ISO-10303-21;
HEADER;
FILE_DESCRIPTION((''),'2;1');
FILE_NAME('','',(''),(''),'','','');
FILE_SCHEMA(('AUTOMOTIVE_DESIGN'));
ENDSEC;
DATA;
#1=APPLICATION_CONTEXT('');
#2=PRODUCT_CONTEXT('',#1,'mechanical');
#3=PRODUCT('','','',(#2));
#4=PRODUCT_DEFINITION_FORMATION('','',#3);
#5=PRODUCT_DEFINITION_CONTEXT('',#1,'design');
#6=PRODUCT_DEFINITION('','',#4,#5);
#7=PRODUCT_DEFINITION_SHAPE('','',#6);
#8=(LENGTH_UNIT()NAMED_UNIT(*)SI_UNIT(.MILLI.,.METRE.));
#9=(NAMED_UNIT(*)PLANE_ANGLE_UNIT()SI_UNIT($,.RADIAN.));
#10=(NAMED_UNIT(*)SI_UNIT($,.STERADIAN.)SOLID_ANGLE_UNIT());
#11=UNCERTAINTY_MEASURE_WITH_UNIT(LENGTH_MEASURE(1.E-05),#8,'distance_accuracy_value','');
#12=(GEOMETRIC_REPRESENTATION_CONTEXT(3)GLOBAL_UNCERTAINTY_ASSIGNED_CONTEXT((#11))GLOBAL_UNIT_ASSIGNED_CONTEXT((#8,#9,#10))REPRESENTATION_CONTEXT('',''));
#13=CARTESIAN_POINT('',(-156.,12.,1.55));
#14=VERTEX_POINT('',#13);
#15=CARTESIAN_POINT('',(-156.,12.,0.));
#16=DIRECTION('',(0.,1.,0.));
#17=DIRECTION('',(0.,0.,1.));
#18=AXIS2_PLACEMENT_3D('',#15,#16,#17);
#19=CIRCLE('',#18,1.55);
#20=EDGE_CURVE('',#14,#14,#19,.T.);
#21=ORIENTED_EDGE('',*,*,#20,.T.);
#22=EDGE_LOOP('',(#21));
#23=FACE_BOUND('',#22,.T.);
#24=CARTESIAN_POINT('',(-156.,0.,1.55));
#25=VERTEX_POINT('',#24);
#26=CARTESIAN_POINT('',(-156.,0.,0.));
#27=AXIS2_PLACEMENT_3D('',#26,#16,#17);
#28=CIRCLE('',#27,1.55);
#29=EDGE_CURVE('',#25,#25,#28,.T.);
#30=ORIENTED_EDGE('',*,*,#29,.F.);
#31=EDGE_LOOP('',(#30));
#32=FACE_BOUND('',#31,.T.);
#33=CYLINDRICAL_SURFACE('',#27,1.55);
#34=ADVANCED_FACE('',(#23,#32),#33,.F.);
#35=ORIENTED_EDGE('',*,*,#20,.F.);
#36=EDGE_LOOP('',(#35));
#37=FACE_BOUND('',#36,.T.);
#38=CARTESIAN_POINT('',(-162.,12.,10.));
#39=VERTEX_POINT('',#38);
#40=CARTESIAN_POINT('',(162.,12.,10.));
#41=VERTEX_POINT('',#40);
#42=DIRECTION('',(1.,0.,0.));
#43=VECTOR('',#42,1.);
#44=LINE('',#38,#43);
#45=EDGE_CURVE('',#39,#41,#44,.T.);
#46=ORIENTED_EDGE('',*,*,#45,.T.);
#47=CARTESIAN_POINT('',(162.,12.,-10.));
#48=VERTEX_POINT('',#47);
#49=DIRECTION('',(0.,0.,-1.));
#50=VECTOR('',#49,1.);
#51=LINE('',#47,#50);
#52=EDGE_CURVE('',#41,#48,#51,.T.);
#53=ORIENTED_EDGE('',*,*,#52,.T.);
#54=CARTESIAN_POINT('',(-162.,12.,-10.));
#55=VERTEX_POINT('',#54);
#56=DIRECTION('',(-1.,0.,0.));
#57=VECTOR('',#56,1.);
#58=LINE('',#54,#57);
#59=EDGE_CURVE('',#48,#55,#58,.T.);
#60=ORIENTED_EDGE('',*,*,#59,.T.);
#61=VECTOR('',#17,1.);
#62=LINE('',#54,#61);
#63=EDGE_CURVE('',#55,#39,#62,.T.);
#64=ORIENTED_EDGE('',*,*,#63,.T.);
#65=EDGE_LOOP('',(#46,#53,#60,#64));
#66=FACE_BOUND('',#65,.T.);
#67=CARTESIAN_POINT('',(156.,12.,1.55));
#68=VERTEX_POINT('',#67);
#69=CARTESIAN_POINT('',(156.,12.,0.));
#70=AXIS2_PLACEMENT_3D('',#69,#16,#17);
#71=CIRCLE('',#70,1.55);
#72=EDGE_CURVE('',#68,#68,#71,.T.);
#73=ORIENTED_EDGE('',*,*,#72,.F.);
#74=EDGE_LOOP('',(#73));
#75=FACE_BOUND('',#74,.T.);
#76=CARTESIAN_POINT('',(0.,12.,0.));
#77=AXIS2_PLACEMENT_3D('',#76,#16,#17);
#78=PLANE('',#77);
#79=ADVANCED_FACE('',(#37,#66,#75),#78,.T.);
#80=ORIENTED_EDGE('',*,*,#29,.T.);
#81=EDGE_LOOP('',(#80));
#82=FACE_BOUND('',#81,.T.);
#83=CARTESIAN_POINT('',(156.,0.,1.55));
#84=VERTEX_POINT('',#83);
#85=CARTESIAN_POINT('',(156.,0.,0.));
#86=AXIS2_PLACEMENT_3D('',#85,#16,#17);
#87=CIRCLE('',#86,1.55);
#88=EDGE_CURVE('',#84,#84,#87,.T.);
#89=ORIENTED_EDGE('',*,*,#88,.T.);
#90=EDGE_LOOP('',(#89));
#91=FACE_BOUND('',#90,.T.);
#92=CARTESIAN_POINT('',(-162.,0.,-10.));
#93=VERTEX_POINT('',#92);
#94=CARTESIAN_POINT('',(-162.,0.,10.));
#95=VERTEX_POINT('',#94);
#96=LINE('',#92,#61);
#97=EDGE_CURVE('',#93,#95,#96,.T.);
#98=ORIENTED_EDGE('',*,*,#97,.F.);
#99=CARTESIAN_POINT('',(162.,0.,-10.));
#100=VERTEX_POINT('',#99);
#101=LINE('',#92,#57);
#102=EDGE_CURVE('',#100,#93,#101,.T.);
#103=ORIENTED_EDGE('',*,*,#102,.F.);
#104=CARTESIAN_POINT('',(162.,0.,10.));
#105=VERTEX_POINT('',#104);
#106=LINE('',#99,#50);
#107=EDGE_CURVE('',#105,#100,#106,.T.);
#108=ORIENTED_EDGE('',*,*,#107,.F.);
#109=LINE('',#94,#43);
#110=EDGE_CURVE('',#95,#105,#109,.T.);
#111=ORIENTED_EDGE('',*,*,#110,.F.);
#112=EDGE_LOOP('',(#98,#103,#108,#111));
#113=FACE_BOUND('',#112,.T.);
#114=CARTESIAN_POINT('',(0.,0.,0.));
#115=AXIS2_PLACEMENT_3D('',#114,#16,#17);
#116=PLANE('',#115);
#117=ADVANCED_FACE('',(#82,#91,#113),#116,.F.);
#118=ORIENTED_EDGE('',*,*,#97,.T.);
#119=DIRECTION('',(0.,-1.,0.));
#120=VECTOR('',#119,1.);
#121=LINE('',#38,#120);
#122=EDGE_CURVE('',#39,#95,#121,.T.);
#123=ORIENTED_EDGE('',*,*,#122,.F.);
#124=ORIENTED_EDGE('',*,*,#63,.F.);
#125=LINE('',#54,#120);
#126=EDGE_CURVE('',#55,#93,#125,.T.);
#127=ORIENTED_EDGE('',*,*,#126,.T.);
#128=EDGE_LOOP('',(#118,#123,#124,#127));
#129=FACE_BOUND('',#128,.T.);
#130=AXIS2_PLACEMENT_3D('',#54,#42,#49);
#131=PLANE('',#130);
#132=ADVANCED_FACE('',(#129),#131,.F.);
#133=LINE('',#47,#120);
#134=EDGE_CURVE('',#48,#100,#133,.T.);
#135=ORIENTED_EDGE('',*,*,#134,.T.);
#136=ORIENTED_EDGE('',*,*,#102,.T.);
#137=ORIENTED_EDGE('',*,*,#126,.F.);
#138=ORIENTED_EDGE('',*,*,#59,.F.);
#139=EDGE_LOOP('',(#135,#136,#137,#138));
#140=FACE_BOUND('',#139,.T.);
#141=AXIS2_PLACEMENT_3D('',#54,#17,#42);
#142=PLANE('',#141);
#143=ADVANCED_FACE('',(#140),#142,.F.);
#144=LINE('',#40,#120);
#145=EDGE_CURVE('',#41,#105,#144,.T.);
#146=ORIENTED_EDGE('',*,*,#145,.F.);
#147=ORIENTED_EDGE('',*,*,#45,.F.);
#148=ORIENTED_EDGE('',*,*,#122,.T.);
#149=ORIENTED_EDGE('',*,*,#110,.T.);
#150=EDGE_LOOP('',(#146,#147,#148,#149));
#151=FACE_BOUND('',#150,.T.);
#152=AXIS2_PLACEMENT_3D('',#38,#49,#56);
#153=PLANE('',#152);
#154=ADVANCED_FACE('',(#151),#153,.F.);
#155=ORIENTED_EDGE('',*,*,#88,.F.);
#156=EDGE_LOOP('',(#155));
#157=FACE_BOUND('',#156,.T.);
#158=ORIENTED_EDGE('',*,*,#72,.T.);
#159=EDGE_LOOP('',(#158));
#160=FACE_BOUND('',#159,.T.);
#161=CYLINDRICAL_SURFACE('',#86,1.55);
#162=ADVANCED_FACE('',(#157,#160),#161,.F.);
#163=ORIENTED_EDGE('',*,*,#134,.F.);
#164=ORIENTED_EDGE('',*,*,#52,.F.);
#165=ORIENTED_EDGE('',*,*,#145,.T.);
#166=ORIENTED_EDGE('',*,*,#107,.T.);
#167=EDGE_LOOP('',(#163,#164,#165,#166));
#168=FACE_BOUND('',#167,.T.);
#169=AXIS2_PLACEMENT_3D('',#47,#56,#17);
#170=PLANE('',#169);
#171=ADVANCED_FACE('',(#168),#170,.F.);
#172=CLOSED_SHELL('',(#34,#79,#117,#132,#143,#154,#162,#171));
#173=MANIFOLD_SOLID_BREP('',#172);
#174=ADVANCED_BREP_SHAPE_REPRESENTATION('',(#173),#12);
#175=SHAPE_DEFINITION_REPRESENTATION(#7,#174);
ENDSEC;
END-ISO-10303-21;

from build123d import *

# Parameters (mm, degrees)
SKETCH1_W           = 324
SKETCH1_H           = 20
BOSS_EXTRUDE1_DEPTH = 12
SKETCH2_R           = 1.55
CUT_EXTRUDE1_DEPTH  = 13


with BuildPart() as part:
    # Sketch1 → Boss-Extrude1 (new body)
    with BuildSketch(Plane(origin=(0, 0, 0), x_dir=(1, 0, 0), z_dir=(0, 1, 0))):
        Rectangle(SKETCH1_W, SKETCH1_H)
    extrude(amount=BOSS_EXTRUDE1_DEPTH)

    # Sketch2 → Cut-Extrude1 (cut, through all)
    with BuildSketch(Plane(origin=(0, 12, 0), x_dir=(1, 0, 0), z_dir=(0, 1, 0))):
        with Locations(Location((-156, 0, 0), (0, 0, 270))):  # turned: the seam where the file's is
            Circle(SKETCH2_R)
        with Locations(Location((156, 0, 0), (0, 0, 270))):  # turned: the seam where the file's is
            Circle(SKETCH2_R)
    extrude(amount=-CUT_EXTRUDE1_DEPTH, mode=Mode.SUBTRACT)


solid = part.part
